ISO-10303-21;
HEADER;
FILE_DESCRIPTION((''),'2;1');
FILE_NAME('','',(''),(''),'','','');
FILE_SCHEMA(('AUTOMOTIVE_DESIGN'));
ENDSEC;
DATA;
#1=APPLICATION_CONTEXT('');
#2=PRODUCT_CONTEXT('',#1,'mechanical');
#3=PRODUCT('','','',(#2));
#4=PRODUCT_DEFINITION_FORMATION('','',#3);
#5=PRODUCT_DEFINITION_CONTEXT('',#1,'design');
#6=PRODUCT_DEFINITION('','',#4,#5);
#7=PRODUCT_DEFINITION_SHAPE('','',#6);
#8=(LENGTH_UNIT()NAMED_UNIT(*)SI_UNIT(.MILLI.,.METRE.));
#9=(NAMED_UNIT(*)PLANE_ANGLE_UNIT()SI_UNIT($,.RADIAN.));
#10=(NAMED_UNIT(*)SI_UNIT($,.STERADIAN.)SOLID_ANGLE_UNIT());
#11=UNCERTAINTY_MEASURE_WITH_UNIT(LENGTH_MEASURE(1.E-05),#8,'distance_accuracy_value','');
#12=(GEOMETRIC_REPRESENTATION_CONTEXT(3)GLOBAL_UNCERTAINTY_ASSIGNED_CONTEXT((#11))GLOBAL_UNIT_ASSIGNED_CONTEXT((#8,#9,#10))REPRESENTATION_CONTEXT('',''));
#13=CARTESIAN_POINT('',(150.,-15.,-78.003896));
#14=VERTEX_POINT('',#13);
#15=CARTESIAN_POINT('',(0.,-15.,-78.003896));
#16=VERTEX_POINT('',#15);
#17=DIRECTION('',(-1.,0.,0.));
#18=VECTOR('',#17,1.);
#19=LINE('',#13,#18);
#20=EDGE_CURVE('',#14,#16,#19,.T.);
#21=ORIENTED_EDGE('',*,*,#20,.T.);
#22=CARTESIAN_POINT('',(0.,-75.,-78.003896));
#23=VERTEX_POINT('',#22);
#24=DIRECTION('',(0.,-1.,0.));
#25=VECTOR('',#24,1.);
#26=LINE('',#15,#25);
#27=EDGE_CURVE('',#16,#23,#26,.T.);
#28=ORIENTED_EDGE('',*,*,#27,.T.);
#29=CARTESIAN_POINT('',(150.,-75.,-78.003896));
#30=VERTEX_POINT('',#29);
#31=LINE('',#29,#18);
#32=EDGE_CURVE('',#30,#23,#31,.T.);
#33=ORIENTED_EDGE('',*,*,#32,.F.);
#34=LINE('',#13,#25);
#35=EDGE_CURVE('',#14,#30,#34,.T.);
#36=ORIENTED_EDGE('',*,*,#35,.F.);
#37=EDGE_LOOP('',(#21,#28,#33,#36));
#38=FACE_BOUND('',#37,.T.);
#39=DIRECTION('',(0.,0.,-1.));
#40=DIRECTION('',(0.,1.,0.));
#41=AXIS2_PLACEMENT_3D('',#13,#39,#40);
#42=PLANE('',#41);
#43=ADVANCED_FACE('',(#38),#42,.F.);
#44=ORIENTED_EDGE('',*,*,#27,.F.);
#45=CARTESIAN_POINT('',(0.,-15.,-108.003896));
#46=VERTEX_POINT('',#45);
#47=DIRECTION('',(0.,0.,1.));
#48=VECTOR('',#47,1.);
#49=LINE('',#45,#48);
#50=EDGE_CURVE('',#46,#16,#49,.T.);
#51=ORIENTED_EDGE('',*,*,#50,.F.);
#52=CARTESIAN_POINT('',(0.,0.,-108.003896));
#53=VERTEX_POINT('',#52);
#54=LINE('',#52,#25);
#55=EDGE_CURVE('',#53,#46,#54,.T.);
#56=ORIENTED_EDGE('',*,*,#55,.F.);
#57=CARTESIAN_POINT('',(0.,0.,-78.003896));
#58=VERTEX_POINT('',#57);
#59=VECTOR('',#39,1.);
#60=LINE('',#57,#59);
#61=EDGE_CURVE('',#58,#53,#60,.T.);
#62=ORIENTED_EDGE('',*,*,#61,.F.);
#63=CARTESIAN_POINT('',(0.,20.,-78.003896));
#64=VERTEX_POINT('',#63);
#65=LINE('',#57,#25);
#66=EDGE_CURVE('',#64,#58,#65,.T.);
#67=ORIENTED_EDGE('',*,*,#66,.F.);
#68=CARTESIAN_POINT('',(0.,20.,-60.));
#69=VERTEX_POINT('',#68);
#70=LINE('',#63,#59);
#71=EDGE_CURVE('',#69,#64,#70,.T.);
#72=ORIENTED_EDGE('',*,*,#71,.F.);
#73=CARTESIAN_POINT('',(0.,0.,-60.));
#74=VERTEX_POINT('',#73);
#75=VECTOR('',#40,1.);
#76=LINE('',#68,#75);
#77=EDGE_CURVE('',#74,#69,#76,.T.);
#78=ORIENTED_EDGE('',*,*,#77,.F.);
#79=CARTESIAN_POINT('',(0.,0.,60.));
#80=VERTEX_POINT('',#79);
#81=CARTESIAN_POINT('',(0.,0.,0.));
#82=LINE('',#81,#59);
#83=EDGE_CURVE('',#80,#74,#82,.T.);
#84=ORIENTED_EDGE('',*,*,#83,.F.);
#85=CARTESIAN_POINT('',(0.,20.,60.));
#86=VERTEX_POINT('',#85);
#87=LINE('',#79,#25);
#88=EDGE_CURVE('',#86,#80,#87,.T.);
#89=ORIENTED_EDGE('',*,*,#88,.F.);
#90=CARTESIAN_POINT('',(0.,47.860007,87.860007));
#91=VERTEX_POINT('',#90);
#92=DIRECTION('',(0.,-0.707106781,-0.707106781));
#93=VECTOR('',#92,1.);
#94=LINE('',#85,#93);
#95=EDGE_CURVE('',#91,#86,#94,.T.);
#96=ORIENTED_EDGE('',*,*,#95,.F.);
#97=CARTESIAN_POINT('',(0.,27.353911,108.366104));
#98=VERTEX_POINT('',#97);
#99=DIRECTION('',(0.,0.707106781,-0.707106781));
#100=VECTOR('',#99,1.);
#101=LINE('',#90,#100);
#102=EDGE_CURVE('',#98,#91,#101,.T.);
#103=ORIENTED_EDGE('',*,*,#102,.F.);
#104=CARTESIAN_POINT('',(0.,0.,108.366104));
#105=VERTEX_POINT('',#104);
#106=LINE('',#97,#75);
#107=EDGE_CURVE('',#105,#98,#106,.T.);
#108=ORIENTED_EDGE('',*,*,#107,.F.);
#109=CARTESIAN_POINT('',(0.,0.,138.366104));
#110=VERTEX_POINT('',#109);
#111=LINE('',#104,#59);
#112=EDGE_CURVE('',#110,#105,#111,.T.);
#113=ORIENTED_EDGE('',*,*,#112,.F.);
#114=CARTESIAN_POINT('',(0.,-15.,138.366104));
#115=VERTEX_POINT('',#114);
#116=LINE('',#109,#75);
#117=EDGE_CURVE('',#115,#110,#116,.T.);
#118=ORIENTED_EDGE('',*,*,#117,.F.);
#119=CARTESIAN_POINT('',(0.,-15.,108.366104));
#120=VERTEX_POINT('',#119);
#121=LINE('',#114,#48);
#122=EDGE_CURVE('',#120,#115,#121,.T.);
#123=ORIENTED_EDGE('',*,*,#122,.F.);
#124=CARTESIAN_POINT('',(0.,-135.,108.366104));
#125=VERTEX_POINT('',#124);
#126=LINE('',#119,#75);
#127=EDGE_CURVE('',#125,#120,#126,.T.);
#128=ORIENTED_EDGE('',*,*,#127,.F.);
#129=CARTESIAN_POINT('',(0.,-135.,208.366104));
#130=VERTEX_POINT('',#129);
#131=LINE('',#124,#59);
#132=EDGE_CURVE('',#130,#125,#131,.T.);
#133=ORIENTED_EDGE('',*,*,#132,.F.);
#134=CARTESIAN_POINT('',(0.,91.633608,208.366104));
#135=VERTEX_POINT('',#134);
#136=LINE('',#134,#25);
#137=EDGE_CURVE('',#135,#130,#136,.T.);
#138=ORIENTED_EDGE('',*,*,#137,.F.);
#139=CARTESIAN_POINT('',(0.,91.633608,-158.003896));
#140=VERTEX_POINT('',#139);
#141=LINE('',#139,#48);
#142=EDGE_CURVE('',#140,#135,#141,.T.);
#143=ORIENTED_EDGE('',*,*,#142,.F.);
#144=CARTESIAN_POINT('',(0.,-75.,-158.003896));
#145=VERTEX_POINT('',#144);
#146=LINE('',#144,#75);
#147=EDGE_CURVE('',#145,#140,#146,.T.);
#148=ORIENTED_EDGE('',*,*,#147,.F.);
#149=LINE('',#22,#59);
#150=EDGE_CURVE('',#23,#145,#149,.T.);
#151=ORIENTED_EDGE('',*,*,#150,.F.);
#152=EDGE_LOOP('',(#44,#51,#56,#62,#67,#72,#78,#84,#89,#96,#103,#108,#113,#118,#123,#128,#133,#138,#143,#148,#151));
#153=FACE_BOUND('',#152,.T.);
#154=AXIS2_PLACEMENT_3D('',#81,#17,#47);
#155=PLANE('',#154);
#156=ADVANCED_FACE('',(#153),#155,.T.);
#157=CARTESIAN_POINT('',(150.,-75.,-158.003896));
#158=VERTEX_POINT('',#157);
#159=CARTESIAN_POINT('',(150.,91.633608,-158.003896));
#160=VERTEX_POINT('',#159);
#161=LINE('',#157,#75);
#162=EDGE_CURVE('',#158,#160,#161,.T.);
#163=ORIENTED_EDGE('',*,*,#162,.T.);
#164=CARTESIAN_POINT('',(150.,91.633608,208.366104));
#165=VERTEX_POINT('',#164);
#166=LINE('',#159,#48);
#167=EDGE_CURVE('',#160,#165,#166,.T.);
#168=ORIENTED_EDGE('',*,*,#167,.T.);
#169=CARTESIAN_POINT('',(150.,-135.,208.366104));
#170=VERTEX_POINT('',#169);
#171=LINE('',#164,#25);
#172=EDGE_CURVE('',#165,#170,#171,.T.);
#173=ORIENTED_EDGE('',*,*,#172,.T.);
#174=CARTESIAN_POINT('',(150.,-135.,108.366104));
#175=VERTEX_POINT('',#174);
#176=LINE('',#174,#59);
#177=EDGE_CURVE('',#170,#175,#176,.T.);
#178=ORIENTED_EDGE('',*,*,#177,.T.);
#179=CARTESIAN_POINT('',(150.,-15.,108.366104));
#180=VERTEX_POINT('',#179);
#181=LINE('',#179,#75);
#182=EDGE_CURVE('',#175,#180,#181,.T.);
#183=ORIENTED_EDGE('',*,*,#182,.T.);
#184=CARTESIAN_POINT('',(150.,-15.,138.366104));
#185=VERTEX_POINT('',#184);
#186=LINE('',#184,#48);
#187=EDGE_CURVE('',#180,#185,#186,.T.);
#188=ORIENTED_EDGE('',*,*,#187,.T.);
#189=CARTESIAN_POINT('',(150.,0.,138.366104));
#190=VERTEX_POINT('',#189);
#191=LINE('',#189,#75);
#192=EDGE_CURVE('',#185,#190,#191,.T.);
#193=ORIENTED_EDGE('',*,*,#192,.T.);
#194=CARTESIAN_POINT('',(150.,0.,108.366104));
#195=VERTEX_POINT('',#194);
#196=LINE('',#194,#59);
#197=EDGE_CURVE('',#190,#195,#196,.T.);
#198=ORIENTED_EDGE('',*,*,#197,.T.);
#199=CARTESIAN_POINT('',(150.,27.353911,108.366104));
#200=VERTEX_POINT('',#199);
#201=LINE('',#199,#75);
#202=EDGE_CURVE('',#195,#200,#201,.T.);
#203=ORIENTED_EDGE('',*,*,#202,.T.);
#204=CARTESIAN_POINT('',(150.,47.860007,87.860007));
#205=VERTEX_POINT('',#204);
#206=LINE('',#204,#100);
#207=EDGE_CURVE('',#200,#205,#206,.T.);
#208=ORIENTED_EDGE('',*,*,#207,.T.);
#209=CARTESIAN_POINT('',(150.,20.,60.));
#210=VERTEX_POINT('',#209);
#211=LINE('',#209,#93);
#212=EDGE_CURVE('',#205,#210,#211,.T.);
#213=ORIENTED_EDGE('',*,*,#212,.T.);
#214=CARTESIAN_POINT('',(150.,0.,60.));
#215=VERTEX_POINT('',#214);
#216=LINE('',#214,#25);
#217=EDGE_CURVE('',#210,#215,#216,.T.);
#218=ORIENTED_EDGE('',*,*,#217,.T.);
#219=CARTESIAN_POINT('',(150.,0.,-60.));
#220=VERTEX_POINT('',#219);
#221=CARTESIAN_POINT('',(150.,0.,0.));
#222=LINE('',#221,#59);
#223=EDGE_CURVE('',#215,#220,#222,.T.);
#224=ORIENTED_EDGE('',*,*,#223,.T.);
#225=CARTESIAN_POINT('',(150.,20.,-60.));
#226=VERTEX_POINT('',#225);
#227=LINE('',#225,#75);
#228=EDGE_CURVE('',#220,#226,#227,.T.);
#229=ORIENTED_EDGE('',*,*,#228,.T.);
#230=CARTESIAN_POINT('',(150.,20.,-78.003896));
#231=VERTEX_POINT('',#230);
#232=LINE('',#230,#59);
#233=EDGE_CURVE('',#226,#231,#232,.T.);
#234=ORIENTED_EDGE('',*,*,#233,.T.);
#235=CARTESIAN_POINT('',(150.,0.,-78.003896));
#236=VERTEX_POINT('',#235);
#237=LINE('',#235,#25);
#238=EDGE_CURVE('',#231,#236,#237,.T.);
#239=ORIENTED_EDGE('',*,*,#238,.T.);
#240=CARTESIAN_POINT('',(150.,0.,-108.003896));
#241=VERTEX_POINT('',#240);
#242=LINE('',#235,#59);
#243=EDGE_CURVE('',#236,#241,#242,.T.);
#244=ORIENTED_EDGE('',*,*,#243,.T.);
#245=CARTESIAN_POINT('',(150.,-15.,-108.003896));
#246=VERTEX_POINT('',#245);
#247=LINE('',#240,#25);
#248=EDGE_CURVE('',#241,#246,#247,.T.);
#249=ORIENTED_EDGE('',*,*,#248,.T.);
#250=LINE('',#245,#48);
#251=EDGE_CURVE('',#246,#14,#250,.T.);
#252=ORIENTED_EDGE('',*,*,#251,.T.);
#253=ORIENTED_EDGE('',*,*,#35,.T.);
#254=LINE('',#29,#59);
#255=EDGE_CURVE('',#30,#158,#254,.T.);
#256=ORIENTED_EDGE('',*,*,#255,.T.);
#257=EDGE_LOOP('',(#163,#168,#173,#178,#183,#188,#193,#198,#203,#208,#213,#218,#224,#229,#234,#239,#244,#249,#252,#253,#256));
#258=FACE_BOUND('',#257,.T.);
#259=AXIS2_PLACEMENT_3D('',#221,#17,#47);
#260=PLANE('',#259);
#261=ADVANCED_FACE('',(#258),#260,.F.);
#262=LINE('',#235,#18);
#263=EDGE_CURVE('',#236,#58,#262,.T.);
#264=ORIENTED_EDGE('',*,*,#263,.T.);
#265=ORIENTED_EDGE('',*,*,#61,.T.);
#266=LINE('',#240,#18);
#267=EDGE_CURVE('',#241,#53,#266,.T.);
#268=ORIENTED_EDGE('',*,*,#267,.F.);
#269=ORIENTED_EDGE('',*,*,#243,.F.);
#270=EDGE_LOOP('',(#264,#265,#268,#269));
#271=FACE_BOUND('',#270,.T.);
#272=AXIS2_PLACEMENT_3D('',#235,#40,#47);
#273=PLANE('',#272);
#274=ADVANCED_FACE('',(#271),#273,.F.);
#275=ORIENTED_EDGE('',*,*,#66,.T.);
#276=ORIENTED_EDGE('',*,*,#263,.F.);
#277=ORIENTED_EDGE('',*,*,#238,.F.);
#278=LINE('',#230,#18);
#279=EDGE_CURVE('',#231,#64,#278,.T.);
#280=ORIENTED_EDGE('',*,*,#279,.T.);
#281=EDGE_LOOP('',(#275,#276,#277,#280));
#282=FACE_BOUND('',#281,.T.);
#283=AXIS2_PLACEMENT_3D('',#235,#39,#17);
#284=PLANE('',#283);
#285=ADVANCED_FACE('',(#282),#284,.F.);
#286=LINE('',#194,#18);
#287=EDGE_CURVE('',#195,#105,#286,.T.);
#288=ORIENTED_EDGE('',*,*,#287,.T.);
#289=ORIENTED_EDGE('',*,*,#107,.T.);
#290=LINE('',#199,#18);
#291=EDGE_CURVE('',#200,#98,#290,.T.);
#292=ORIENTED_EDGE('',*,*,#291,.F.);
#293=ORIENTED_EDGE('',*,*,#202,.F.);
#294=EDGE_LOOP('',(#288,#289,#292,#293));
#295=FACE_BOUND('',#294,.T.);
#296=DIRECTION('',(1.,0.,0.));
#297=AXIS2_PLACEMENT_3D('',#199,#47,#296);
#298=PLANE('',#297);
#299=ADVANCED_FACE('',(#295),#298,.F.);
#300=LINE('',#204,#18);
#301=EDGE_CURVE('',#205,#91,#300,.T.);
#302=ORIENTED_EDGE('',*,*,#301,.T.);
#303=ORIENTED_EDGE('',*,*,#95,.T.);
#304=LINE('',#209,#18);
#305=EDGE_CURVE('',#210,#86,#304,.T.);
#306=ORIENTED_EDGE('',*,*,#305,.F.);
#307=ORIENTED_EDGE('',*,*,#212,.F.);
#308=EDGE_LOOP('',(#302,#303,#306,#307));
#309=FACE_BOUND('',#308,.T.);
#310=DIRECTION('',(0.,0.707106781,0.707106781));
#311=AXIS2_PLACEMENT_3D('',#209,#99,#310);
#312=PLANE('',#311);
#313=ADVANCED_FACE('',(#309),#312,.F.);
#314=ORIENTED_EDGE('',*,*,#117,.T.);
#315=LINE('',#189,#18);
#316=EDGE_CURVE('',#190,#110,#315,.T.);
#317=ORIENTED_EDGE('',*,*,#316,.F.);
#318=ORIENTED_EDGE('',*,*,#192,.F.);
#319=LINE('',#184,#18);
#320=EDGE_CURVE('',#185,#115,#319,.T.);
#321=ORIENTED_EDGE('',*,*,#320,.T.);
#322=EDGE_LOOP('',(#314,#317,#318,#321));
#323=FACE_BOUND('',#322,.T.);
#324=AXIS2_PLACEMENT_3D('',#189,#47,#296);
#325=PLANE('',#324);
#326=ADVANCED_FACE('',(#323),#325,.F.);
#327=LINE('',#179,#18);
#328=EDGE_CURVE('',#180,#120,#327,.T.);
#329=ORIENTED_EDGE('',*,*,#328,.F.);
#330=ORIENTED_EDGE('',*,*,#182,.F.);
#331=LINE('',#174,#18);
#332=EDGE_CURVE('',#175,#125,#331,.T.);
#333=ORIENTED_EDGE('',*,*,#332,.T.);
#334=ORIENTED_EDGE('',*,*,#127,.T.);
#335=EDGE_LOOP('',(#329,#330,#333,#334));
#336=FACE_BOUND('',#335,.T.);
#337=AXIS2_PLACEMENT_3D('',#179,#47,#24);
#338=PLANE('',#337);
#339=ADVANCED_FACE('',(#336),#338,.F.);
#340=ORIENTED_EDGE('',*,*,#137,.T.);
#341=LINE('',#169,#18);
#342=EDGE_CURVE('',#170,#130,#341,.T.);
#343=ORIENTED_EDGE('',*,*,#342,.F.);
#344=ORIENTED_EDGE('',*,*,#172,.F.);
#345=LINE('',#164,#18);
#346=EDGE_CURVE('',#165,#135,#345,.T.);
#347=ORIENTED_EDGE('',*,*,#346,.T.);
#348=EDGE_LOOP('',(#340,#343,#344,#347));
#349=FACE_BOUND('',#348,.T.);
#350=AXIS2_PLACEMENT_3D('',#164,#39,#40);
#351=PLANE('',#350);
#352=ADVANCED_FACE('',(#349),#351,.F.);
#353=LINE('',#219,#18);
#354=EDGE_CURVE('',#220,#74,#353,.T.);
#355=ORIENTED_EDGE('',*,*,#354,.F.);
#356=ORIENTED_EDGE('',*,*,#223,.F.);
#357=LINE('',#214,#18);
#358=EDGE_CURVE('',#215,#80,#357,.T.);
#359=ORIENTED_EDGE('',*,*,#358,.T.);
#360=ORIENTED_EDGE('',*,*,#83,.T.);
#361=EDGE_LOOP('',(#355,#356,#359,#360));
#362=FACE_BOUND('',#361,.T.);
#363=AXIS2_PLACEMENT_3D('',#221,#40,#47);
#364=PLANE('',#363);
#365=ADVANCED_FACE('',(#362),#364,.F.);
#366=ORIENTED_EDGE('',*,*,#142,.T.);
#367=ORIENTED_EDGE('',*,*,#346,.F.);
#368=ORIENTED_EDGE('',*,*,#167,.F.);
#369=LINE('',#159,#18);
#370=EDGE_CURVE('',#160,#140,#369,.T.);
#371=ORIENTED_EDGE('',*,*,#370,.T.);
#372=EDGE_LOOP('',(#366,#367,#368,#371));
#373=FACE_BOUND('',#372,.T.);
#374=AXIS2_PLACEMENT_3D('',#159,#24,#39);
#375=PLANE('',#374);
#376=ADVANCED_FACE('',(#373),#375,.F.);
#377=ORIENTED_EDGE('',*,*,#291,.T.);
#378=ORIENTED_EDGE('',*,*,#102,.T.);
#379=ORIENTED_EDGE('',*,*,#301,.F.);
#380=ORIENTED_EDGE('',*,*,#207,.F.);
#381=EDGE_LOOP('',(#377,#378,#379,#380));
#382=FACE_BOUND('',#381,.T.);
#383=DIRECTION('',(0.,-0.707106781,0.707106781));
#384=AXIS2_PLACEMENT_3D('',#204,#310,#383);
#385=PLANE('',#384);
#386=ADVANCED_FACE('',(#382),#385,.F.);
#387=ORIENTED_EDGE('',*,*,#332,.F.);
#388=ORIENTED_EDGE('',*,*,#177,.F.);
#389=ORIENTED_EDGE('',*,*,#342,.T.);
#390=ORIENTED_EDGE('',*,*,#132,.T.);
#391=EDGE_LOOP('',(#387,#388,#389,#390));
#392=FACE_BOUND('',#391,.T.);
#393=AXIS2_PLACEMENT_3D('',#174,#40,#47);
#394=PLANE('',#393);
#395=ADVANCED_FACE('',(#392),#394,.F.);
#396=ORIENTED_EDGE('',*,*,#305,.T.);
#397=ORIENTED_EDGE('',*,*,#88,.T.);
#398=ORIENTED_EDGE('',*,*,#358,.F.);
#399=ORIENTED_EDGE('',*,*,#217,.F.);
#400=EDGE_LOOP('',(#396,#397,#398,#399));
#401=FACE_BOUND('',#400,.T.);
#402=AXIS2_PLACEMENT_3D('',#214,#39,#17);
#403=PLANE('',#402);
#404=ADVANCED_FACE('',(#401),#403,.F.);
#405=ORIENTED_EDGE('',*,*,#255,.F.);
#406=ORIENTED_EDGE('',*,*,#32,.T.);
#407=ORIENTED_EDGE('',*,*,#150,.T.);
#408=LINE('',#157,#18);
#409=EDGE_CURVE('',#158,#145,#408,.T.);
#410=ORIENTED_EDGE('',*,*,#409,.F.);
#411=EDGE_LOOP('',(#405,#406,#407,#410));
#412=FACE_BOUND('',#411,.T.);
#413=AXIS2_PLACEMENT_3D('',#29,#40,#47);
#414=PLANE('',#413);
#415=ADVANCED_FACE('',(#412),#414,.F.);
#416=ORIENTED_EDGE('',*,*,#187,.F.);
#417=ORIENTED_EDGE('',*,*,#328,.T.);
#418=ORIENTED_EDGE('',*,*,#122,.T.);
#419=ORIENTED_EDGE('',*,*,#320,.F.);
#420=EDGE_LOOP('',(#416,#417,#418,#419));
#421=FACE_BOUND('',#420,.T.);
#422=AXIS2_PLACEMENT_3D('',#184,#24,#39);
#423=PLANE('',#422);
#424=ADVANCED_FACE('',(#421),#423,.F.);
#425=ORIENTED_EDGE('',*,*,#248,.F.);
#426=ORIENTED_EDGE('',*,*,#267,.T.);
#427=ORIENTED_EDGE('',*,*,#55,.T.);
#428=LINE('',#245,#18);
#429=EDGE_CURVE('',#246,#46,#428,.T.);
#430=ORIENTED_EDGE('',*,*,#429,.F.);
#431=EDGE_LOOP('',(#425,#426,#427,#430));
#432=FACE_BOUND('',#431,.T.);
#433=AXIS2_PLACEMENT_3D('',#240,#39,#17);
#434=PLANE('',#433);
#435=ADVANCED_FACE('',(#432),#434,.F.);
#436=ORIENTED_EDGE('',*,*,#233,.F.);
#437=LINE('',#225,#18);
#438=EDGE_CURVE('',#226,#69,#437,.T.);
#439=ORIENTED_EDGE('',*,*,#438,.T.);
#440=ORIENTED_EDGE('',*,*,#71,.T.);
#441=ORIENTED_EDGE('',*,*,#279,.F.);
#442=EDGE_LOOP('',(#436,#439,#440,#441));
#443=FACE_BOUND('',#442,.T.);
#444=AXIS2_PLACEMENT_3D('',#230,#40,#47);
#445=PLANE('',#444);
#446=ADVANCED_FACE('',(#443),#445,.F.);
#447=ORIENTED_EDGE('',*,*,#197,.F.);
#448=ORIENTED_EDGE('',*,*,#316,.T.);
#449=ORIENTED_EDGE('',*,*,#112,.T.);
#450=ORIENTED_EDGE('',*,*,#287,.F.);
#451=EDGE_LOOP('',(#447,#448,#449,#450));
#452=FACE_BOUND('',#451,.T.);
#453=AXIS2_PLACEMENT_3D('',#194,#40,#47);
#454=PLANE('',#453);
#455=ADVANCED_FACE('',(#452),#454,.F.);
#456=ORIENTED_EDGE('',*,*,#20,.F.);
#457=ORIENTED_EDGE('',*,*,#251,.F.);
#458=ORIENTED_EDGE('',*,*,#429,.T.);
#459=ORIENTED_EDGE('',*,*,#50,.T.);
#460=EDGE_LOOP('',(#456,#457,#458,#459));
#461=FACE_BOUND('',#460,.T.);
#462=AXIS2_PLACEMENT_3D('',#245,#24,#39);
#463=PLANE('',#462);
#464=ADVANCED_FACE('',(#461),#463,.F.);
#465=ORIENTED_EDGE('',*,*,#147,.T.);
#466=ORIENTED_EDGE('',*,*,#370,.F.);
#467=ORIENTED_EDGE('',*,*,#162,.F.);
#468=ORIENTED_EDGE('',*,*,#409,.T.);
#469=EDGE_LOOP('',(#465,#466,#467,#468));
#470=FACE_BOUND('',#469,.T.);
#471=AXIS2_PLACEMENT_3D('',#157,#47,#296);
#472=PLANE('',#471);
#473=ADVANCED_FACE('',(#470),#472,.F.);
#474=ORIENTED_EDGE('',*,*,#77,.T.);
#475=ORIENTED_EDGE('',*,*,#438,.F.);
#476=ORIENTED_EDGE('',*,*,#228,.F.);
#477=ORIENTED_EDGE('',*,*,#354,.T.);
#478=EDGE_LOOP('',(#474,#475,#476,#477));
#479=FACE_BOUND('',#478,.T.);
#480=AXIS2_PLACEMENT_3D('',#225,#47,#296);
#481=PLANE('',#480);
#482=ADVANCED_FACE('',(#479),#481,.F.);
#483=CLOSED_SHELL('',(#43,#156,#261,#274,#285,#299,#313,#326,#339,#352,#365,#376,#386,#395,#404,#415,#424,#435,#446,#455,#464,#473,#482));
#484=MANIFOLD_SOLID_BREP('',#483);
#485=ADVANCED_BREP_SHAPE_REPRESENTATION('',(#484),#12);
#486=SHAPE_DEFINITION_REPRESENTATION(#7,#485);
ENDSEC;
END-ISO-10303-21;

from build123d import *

# Parameters (mm, degrees)
BOSS_EXTRUDE1_DEPTH = 150


with BuildPart() as part:
    # Sketch2 → Boss-Extrude1 (new body)
    with BuildSketch(Plane(origin=(0, 0, 0), x_dir=(0, 0, -1), z_dir=(1, 0, 0))):
        Polygon((0, 0), (60, 0), (60, 20), (78.003896167, 20), (78.003896167, 0), (108.003896167, 0), (108.003896167, -15), (78.003896167, -15), (78.003896167, -75), (158.003896167, -75), (158.003896167, 91.633607591), (-208.366103833, 91.633607591), (-208.366103833, -135), (-108.366103833, -135), (-108.366103833, -15), (-138.366103833, -15), (-138.366103833, 0), (-108.366103833, 0), (-108.366103833, 27.353910524), (-87.860007179, 47.860007179), (-60, 20), (-60, 0), align=None)
    extrude(amount=BOSS_EXTRUDE1_DEPTH)


solid = part.part
